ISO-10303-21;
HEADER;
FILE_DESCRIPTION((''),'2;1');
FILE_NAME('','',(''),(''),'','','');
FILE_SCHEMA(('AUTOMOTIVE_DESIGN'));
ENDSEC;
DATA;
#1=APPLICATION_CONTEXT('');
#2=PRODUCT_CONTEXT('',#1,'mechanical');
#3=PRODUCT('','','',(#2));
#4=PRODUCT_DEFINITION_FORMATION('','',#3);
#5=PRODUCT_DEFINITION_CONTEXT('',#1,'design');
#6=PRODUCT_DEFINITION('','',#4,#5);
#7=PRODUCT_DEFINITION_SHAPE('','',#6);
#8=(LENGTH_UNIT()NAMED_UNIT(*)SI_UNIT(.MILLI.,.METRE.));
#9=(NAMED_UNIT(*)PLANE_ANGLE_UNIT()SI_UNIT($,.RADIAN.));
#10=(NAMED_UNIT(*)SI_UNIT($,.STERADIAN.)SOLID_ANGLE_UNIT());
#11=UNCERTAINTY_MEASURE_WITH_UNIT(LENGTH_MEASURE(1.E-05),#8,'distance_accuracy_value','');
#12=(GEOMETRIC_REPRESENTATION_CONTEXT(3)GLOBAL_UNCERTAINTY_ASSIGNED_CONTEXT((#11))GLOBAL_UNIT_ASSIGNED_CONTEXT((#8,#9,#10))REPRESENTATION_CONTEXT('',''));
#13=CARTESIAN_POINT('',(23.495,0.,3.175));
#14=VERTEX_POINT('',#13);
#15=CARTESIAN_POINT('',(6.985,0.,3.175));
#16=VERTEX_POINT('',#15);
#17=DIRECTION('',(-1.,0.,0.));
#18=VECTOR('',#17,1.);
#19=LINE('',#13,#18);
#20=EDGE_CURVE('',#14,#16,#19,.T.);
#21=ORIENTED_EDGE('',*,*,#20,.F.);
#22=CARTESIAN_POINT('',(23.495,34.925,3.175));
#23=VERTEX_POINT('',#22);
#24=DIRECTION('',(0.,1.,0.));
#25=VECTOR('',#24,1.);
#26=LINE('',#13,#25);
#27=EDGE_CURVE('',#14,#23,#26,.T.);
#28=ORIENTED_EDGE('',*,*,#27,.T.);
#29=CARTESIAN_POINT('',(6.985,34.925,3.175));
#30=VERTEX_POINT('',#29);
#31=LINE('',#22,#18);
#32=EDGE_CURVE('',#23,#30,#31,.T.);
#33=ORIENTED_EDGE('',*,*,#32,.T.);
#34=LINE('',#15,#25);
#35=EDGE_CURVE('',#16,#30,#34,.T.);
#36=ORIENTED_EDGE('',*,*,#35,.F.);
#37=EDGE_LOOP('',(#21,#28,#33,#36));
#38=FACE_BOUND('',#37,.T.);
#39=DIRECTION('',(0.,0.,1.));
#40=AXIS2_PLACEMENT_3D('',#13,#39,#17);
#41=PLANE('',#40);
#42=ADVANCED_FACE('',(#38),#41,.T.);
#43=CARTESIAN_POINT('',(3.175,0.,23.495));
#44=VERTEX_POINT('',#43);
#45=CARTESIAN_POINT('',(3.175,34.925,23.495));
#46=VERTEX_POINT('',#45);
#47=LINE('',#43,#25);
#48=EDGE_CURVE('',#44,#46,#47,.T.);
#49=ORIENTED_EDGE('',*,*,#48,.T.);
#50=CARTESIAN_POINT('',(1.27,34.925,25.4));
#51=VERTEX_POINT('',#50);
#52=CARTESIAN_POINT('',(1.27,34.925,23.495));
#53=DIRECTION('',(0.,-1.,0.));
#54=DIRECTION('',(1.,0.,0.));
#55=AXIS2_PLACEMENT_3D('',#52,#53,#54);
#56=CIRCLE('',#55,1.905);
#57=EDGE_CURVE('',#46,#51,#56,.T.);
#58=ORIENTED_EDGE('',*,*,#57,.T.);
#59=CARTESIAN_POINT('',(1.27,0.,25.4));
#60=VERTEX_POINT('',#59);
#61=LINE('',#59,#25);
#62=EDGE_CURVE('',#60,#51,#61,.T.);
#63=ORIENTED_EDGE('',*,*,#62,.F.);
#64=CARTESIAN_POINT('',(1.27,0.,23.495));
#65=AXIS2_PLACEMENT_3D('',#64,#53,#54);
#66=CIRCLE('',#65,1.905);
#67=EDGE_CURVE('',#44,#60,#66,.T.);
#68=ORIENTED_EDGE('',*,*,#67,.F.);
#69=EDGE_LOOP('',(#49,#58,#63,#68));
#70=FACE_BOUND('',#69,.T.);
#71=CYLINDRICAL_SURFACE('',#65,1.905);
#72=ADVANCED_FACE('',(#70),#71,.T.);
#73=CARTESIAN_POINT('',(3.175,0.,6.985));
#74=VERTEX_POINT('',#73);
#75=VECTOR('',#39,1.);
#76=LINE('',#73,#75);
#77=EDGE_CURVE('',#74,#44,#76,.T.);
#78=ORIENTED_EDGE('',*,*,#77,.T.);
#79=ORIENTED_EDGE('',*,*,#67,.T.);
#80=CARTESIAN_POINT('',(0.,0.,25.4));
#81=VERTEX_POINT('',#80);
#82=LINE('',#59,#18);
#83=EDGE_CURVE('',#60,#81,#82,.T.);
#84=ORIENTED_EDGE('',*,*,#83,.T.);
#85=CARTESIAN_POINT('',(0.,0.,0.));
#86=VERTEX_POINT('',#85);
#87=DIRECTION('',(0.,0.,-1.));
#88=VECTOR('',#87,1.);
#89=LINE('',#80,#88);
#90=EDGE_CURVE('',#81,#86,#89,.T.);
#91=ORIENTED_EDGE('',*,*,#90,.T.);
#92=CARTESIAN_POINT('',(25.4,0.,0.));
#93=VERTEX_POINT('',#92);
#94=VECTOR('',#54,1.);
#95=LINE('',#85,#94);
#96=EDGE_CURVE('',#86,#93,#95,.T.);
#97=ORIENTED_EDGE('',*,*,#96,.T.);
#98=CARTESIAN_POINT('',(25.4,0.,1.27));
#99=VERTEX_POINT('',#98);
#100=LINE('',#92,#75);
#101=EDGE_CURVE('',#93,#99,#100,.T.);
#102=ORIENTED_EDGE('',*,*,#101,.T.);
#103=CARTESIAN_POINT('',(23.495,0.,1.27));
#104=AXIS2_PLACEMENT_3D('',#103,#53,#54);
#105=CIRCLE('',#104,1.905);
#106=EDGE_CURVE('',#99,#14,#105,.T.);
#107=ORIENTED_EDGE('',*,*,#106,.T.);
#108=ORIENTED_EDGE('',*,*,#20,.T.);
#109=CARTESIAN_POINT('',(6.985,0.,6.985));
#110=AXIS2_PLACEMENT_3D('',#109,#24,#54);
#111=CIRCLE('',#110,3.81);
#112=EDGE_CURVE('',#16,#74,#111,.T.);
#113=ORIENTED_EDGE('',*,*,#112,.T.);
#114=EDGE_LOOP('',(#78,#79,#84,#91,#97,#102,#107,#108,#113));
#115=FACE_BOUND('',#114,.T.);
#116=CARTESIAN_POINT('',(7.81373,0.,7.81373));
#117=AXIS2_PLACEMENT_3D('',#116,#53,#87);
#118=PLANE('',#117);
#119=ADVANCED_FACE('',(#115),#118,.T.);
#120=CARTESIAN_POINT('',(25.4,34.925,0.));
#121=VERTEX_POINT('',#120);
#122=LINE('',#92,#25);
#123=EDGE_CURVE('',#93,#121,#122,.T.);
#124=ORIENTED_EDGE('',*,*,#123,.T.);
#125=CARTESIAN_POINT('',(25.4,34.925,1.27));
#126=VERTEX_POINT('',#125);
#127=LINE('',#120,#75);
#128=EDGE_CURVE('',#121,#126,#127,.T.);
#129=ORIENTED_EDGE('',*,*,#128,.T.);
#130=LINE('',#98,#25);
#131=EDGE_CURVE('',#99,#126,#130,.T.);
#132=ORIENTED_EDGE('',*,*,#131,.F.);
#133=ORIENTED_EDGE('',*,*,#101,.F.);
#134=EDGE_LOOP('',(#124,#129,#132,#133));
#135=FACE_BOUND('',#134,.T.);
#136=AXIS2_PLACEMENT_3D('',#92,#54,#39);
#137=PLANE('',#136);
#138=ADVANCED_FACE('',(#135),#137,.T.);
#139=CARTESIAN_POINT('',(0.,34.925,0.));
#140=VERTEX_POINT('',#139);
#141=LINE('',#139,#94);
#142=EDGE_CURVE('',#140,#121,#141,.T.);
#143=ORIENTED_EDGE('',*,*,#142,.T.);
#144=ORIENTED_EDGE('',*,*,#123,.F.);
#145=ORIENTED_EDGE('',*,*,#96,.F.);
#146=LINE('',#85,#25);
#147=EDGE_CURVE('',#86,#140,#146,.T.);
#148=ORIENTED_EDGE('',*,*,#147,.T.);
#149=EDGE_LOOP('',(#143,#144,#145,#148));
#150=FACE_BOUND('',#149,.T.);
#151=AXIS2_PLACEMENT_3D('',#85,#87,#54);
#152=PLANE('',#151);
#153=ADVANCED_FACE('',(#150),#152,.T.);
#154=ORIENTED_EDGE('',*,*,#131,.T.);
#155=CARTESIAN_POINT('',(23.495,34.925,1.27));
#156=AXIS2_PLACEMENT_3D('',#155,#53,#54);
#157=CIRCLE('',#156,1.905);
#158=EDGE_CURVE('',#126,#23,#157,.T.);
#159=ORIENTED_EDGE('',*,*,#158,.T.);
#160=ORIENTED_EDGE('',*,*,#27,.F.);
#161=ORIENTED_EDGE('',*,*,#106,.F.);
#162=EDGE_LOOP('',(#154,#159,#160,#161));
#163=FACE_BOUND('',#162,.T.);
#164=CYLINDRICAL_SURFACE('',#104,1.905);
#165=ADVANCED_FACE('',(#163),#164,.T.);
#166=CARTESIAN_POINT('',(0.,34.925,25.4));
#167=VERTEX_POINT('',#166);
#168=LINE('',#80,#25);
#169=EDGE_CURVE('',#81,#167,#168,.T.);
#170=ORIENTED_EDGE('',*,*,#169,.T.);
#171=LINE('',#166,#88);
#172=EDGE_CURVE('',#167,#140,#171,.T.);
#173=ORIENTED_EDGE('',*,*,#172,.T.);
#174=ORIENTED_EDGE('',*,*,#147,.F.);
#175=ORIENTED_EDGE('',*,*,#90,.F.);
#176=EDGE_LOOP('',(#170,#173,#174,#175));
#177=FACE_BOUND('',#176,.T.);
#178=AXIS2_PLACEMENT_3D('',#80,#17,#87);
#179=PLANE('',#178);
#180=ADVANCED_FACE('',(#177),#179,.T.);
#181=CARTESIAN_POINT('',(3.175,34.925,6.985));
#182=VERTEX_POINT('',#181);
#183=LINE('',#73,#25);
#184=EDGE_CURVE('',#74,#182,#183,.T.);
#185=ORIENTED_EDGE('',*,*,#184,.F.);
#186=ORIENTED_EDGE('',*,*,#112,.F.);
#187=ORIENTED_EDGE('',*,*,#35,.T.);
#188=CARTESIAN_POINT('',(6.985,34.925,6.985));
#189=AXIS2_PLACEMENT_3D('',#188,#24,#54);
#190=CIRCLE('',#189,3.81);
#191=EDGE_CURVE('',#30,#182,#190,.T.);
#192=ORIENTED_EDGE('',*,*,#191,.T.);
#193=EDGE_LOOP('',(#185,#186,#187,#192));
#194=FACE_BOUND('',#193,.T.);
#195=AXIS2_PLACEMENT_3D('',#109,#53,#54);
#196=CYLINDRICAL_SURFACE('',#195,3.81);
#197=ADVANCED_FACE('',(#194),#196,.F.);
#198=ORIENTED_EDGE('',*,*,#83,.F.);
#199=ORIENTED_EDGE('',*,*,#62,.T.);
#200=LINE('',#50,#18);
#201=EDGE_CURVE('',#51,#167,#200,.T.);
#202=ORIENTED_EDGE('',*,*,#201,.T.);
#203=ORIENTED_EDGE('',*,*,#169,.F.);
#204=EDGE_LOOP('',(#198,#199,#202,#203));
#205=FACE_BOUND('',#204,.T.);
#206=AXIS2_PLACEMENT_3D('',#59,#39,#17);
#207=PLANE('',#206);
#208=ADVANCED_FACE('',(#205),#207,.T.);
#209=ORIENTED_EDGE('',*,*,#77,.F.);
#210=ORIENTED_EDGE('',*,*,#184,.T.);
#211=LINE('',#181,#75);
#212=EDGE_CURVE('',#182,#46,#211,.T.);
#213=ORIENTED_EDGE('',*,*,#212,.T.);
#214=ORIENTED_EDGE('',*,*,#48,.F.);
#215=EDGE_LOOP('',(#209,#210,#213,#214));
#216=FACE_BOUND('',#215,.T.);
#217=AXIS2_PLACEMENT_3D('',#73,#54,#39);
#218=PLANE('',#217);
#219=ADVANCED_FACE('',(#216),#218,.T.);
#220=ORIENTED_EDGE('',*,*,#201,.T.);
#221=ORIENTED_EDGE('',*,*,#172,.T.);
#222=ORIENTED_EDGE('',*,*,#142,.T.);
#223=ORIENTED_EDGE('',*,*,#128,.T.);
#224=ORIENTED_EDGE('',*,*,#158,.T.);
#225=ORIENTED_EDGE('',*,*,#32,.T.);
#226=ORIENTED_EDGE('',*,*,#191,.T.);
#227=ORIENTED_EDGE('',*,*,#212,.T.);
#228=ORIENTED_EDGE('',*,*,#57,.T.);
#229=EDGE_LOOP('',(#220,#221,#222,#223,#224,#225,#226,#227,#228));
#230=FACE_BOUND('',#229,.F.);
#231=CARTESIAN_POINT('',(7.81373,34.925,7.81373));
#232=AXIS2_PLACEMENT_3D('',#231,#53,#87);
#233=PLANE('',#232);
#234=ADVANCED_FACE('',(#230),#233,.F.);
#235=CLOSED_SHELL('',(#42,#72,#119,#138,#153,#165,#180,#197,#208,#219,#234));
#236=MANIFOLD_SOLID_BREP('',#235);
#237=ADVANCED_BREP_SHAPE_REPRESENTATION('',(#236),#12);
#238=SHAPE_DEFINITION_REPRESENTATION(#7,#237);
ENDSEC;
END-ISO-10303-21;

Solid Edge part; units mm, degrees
sketch "Sketch1" plane through (0, 0, 0) normal (0, -1, 0) x (1, 0, 0)
  line L0 (0, 25.4) -> (0, 0)
  line L1 (0, 0) -> (25.4, 0)
  line L2 (25.4, 0) -> (25.4, 1.27)
  arc A0 (25.4, 1.27) -> (23.495, 3.175) centre (23.495, 1.27) ccw
  line L3 (23.495, 3.175) -> (6.985, 3.175)
  arc A1 (6.985, 3.175) -> (3.175, 6.985) centre (6.985, 6.985) cw
  line L4 (3.175, 6.985) -> (3.175, 23.495)
  arc A2 (3.175, 23.495) -> (1.27, 25.4) centre (1.27, 23.495) ccw
  line L5 (1.27, 25.4) -> (0, 25.4)
  dimension "D1" = 25.4
extrude "Protrusion1" add sketch "Sketch1" against normal blind 34.925
